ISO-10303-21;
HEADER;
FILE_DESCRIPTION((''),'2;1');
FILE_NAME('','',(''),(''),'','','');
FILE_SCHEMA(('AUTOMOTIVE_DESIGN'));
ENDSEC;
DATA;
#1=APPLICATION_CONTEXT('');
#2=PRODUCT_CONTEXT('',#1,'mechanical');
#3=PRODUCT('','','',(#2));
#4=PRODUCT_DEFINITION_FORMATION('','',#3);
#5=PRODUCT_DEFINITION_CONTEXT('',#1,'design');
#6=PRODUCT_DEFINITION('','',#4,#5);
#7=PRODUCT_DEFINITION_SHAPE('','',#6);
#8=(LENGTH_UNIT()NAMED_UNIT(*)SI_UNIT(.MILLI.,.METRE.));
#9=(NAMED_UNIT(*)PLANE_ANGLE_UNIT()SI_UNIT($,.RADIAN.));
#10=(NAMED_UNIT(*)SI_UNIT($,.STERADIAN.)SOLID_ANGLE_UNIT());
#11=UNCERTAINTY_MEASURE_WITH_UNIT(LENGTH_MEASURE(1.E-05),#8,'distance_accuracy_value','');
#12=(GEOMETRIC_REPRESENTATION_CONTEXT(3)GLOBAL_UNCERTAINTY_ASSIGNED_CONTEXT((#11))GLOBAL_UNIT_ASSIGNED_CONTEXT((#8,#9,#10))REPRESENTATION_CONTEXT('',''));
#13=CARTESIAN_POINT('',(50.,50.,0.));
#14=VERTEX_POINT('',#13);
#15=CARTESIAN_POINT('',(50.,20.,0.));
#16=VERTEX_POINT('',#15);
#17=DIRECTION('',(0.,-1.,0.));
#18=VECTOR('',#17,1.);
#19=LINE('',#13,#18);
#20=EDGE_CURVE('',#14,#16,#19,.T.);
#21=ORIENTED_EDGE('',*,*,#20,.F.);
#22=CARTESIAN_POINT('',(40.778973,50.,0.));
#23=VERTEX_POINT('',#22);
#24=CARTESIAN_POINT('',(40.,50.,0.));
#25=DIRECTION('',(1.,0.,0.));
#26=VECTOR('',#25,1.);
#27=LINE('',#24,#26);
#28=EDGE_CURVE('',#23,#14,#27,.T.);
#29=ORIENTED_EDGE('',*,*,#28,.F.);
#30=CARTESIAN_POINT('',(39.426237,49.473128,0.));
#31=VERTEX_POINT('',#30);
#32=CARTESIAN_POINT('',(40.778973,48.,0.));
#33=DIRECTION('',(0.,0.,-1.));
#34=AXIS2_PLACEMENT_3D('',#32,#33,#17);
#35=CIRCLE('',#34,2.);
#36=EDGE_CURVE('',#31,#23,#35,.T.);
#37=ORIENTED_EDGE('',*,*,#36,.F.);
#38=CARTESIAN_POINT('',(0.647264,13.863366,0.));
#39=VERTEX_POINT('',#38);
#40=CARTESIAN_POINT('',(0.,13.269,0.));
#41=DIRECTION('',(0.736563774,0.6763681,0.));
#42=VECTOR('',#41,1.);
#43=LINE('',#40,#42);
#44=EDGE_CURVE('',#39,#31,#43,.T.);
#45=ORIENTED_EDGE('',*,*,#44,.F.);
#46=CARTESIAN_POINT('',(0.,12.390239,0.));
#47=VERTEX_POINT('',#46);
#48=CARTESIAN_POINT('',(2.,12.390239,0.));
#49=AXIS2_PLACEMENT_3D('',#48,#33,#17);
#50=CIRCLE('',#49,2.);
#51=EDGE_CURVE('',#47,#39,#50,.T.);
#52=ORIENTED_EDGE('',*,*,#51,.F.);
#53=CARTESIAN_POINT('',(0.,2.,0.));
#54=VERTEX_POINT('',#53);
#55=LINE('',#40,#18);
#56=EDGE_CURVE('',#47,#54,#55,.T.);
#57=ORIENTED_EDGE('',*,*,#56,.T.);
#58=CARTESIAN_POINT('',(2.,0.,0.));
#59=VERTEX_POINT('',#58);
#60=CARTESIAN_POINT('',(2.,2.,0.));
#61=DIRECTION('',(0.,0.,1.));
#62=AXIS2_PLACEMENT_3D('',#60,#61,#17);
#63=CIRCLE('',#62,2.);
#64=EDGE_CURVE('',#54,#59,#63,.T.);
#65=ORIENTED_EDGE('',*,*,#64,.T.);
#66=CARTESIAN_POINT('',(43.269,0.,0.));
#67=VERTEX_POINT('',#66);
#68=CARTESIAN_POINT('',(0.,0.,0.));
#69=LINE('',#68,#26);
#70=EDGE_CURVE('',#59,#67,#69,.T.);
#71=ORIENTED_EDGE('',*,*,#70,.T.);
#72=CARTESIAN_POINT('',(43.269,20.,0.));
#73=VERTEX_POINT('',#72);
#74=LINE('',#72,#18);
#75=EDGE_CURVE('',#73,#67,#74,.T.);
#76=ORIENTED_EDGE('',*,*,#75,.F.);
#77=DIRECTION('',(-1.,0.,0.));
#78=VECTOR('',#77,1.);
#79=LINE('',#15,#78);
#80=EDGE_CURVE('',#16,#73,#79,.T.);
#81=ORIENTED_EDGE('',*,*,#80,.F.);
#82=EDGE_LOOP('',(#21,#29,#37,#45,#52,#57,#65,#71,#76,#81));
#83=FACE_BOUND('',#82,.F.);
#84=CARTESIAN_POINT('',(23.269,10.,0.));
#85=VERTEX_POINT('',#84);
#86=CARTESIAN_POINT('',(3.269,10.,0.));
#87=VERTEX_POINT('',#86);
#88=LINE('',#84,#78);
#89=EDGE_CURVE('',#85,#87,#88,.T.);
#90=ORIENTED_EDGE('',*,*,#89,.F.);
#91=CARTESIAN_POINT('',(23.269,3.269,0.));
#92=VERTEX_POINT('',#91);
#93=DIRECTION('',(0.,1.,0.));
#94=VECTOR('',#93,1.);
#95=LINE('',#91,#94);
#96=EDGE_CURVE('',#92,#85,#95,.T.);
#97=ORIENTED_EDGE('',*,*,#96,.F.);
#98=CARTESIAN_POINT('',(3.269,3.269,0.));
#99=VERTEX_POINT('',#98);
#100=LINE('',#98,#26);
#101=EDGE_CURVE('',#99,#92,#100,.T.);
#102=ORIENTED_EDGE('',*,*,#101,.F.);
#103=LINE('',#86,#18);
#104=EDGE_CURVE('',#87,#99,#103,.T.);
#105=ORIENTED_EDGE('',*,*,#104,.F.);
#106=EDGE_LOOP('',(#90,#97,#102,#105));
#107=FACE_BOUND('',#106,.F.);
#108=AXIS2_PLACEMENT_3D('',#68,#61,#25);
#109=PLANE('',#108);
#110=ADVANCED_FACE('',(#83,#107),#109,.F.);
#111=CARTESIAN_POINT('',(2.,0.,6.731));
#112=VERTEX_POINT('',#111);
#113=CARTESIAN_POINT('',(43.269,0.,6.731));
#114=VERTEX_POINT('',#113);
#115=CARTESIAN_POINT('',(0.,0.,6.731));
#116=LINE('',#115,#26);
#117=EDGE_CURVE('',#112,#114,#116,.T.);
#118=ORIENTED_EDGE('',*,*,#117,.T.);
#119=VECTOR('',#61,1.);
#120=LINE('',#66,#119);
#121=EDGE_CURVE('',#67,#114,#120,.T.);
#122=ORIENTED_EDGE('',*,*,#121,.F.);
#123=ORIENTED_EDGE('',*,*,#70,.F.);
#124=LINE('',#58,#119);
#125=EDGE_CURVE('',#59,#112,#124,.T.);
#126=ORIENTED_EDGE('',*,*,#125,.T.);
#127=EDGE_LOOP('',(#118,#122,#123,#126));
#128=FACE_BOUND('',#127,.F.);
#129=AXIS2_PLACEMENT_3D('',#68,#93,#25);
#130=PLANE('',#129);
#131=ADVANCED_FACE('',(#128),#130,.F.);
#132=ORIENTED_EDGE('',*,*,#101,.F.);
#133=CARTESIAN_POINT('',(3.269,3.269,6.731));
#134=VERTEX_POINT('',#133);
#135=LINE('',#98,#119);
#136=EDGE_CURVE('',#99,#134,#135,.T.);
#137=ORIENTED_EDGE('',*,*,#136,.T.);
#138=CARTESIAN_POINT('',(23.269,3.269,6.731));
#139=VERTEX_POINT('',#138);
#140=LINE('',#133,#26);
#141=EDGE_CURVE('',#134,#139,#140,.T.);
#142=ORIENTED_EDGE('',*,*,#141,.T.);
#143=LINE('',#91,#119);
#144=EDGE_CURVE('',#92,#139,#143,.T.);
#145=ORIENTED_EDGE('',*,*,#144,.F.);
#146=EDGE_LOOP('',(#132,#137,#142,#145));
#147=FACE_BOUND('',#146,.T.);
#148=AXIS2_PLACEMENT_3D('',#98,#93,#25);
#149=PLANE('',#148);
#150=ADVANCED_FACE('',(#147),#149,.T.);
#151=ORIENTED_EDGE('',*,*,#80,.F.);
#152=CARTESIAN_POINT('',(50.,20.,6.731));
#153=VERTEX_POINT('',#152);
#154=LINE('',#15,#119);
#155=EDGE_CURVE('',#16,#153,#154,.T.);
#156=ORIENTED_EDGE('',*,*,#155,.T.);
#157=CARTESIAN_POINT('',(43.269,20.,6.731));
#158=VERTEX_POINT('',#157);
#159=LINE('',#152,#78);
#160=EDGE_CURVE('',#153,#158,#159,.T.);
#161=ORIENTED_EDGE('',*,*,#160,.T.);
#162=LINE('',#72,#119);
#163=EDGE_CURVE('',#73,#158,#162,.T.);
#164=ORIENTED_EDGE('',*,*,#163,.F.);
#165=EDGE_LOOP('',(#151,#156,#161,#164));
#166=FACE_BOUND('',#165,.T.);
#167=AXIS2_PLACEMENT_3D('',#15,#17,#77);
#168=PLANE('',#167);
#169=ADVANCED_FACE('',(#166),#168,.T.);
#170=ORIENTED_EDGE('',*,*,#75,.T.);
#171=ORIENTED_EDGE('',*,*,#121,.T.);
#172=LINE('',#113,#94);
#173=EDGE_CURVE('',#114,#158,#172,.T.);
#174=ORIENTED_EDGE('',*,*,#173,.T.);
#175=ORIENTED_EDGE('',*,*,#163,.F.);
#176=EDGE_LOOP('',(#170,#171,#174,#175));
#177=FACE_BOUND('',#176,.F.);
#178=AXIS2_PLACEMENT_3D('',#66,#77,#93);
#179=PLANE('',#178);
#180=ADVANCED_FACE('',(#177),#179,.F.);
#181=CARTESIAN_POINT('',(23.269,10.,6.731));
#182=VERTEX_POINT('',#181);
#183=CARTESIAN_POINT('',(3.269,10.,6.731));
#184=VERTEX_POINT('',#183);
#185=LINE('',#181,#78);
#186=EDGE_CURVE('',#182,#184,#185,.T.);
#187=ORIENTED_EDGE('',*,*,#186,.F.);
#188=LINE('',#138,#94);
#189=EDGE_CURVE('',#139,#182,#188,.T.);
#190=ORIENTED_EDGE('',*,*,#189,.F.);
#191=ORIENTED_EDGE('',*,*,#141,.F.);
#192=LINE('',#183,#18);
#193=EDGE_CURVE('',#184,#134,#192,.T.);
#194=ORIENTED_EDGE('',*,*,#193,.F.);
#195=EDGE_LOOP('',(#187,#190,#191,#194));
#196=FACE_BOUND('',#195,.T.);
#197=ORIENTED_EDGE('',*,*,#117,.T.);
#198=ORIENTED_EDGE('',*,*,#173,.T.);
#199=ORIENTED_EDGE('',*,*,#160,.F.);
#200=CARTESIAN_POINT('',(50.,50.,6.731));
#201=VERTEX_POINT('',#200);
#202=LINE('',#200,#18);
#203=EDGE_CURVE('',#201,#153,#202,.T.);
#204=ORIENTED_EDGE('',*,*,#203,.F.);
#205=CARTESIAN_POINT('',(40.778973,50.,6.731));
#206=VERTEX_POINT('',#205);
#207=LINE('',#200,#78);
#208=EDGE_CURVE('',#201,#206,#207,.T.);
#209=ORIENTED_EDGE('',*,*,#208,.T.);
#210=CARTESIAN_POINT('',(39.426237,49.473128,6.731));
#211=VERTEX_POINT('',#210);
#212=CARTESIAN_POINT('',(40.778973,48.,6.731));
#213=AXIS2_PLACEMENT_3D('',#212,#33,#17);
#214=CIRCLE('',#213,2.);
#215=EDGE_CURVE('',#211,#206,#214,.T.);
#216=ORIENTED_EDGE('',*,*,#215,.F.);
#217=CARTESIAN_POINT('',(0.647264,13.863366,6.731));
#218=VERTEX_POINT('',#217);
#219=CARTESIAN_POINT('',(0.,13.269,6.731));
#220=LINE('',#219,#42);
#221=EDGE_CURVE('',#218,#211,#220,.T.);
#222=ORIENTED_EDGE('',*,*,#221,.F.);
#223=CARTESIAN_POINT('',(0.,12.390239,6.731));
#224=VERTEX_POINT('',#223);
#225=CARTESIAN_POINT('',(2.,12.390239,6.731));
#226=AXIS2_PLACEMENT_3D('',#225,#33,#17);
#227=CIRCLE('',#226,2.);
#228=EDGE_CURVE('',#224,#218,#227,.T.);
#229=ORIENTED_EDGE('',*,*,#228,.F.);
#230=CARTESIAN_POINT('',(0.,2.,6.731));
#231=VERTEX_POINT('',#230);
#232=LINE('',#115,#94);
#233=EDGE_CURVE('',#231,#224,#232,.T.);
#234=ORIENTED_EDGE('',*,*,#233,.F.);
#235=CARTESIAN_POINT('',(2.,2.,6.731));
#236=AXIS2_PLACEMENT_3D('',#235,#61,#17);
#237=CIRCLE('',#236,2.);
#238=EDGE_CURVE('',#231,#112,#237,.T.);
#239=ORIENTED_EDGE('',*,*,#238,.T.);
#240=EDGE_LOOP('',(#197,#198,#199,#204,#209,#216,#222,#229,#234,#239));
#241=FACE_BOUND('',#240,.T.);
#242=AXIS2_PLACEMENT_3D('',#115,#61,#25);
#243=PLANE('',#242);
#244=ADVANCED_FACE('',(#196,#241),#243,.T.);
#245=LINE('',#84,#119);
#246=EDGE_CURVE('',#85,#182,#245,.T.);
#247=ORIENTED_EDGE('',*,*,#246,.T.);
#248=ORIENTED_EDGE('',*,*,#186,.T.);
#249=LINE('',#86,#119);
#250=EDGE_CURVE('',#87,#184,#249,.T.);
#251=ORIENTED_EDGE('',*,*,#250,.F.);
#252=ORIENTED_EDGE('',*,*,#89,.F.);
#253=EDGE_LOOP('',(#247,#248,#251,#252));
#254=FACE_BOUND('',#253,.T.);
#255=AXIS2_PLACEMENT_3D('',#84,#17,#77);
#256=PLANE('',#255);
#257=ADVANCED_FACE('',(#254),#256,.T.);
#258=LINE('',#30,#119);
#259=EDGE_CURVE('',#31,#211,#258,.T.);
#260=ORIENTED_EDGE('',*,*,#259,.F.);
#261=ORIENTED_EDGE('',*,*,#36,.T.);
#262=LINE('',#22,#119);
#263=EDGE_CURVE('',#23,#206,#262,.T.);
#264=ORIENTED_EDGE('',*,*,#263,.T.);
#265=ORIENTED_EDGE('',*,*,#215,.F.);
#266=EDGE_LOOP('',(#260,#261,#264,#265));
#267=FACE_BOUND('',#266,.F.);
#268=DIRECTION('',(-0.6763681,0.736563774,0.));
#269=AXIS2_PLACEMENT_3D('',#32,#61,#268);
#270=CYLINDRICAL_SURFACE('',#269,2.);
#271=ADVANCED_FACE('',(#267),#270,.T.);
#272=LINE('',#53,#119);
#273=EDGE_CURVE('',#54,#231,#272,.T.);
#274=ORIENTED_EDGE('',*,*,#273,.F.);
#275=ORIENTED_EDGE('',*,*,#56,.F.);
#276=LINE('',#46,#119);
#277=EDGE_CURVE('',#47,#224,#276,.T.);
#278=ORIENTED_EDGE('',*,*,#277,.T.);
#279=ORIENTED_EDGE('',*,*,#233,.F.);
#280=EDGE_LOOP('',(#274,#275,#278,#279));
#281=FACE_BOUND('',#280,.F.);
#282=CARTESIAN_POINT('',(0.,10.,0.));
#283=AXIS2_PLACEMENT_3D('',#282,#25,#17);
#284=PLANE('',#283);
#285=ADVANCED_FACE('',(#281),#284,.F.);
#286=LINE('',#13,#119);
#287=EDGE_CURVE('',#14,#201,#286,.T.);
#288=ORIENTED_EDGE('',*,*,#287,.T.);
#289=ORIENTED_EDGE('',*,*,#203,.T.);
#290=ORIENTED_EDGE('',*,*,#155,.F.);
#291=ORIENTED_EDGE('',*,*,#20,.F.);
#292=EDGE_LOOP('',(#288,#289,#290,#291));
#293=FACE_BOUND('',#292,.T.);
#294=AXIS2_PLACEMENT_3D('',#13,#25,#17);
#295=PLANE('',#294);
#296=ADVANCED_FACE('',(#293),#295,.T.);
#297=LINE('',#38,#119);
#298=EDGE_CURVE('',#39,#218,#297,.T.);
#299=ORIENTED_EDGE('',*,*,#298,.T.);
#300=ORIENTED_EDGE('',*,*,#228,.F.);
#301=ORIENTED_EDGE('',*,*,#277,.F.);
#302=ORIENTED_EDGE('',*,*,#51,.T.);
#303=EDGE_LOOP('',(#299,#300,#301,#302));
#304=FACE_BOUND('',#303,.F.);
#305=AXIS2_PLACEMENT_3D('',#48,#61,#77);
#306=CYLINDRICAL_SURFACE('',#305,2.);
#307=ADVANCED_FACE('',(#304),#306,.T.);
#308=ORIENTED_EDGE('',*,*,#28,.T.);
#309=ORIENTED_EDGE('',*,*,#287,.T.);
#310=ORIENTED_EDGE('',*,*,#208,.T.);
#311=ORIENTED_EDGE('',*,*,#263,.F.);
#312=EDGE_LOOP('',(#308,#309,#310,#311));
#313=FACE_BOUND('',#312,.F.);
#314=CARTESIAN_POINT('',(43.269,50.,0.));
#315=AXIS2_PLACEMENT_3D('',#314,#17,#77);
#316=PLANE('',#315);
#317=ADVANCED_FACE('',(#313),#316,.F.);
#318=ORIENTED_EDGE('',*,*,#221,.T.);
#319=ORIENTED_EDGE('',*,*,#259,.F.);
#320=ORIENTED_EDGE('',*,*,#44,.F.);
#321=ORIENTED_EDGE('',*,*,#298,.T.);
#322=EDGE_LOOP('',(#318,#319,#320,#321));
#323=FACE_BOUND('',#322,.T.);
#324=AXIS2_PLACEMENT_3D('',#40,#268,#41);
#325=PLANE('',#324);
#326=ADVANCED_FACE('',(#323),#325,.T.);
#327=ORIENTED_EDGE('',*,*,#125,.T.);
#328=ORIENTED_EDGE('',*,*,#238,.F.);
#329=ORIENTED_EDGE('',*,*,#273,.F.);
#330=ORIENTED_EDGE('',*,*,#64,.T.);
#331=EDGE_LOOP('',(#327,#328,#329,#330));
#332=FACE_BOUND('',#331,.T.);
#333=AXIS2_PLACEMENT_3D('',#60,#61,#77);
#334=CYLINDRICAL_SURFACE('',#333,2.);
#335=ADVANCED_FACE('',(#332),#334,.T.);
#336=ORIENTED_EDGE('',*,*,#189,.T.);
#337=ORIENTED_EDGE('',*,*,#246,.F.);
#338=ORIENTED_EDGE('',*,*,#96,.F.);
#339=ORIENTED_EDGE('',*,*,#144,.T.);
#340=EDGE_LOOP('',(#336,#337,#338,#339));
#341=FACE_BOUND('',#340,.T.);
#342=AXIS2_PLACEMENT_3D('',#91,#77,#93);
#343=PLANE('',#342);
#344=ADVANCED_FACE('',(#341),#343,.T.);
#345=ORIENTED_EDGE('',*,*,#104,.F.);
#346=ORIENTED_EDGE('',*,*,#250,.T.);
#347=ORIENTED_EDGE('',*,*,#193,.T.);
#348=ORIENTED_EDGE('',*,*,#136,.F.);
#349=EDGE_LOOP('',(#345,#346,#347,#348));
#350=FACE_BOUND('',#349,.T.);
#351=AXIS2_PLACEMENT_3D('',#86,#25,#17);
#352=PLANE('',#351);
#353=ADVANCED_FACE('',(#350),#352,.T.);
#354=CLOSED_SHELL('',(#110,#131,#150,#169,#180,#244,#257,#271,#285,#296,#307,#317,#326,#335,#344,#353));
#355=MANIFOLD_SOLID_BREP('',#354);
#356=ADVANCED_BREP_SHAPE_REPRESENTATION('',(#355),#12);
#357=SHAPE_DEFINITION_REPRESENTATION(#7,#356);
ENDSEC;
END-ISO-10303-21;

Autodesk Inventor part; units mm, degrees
ref_plane "YZ Plane" through (0, 0, 0) normal (1, 0, 0) x (0, 1, 0)
ref_plane "XZ Plane" through (0, 0, 0) normal (0, 1, 0) x (-1, 0, 0)
ref_plane "XY Plane" through (0, 0, 0) normal (0, 0, 1) x (1, 0, 0)
sketch "Sketch1" plane through (0, 0, 0) normal (0, 0, 1) x (1, 0, 0)
  line L0 (0, 0) -> (43.269, 0)
  line L1 (43.269, 0) -> (43.269, 50)
  line L2 (43.269, 50) -> (50, 50)
  line L3 (50, 50) -> (50, 20)
  line L4 (50, 20) -> (43.269, 20)
  line L5 (43.269, 20) -> (43.269, 50)
  line L6 (3.269, 3.269) -> (23.269, 3.269)
  line L7 (23.269, 3.269) -> (23.269, 10)
  line L8 (23.269, 10) -> (3.269, 10)
  line L9 (3.269, 10) -> (3.269, 3.269)
  line L10 (0, 10) -> (3.269, 10)
  line L11 (23.269, 10) -> (43.269, 10)
  line L12 (43.269, 50) -> (40, 50)
  line L13 (0, 10) -> (0, 0)
  line L14 (0, 10) -> (0, 13.269)
  line L15 (0, 13.269) -> (40, 50)
  point P0 (13.269, 3.269)
  point P1 (13.269, 0)
  dimension "d2" = 30
  dimension "d3" = 20
  dimension "d5" = 6.731
  dimension "d6" = 10
  dimension "d9" = 3.269
  dimension "d11" = 20
  dimension "d12" = 20
  dimension "d14" = 3.269
  dimension "d15" = 3.269
extrude "Extrusion1" add sketch "Sketch1" along normal blind 6.731 contours L13 L10 L9 L6 L7 L11 L1 L0 | L14 L15 L12 L1 L11 L8 L10 | L1 L2 L3 L4
fillet "Fillet1" radius 2 3 edges at (40, 50, 3.3655) (0, 13.269, 3.3655) (0, 0, 3.3655)
equation "\"d5\" = THICKB"
equation "\"d7\" = THICKB"
equation "\"THICKA\" = 3.175"
equation "\"THICKB\" = 6.731"
equation "\"THICKC\" = 12.7"
equation "\"THICKPLY\" = 5"
equation "\"MAGDIA\" = 9.5"
equation "\"BALLDIA\" = 12"
properties part number "Mount_Mega_End"
